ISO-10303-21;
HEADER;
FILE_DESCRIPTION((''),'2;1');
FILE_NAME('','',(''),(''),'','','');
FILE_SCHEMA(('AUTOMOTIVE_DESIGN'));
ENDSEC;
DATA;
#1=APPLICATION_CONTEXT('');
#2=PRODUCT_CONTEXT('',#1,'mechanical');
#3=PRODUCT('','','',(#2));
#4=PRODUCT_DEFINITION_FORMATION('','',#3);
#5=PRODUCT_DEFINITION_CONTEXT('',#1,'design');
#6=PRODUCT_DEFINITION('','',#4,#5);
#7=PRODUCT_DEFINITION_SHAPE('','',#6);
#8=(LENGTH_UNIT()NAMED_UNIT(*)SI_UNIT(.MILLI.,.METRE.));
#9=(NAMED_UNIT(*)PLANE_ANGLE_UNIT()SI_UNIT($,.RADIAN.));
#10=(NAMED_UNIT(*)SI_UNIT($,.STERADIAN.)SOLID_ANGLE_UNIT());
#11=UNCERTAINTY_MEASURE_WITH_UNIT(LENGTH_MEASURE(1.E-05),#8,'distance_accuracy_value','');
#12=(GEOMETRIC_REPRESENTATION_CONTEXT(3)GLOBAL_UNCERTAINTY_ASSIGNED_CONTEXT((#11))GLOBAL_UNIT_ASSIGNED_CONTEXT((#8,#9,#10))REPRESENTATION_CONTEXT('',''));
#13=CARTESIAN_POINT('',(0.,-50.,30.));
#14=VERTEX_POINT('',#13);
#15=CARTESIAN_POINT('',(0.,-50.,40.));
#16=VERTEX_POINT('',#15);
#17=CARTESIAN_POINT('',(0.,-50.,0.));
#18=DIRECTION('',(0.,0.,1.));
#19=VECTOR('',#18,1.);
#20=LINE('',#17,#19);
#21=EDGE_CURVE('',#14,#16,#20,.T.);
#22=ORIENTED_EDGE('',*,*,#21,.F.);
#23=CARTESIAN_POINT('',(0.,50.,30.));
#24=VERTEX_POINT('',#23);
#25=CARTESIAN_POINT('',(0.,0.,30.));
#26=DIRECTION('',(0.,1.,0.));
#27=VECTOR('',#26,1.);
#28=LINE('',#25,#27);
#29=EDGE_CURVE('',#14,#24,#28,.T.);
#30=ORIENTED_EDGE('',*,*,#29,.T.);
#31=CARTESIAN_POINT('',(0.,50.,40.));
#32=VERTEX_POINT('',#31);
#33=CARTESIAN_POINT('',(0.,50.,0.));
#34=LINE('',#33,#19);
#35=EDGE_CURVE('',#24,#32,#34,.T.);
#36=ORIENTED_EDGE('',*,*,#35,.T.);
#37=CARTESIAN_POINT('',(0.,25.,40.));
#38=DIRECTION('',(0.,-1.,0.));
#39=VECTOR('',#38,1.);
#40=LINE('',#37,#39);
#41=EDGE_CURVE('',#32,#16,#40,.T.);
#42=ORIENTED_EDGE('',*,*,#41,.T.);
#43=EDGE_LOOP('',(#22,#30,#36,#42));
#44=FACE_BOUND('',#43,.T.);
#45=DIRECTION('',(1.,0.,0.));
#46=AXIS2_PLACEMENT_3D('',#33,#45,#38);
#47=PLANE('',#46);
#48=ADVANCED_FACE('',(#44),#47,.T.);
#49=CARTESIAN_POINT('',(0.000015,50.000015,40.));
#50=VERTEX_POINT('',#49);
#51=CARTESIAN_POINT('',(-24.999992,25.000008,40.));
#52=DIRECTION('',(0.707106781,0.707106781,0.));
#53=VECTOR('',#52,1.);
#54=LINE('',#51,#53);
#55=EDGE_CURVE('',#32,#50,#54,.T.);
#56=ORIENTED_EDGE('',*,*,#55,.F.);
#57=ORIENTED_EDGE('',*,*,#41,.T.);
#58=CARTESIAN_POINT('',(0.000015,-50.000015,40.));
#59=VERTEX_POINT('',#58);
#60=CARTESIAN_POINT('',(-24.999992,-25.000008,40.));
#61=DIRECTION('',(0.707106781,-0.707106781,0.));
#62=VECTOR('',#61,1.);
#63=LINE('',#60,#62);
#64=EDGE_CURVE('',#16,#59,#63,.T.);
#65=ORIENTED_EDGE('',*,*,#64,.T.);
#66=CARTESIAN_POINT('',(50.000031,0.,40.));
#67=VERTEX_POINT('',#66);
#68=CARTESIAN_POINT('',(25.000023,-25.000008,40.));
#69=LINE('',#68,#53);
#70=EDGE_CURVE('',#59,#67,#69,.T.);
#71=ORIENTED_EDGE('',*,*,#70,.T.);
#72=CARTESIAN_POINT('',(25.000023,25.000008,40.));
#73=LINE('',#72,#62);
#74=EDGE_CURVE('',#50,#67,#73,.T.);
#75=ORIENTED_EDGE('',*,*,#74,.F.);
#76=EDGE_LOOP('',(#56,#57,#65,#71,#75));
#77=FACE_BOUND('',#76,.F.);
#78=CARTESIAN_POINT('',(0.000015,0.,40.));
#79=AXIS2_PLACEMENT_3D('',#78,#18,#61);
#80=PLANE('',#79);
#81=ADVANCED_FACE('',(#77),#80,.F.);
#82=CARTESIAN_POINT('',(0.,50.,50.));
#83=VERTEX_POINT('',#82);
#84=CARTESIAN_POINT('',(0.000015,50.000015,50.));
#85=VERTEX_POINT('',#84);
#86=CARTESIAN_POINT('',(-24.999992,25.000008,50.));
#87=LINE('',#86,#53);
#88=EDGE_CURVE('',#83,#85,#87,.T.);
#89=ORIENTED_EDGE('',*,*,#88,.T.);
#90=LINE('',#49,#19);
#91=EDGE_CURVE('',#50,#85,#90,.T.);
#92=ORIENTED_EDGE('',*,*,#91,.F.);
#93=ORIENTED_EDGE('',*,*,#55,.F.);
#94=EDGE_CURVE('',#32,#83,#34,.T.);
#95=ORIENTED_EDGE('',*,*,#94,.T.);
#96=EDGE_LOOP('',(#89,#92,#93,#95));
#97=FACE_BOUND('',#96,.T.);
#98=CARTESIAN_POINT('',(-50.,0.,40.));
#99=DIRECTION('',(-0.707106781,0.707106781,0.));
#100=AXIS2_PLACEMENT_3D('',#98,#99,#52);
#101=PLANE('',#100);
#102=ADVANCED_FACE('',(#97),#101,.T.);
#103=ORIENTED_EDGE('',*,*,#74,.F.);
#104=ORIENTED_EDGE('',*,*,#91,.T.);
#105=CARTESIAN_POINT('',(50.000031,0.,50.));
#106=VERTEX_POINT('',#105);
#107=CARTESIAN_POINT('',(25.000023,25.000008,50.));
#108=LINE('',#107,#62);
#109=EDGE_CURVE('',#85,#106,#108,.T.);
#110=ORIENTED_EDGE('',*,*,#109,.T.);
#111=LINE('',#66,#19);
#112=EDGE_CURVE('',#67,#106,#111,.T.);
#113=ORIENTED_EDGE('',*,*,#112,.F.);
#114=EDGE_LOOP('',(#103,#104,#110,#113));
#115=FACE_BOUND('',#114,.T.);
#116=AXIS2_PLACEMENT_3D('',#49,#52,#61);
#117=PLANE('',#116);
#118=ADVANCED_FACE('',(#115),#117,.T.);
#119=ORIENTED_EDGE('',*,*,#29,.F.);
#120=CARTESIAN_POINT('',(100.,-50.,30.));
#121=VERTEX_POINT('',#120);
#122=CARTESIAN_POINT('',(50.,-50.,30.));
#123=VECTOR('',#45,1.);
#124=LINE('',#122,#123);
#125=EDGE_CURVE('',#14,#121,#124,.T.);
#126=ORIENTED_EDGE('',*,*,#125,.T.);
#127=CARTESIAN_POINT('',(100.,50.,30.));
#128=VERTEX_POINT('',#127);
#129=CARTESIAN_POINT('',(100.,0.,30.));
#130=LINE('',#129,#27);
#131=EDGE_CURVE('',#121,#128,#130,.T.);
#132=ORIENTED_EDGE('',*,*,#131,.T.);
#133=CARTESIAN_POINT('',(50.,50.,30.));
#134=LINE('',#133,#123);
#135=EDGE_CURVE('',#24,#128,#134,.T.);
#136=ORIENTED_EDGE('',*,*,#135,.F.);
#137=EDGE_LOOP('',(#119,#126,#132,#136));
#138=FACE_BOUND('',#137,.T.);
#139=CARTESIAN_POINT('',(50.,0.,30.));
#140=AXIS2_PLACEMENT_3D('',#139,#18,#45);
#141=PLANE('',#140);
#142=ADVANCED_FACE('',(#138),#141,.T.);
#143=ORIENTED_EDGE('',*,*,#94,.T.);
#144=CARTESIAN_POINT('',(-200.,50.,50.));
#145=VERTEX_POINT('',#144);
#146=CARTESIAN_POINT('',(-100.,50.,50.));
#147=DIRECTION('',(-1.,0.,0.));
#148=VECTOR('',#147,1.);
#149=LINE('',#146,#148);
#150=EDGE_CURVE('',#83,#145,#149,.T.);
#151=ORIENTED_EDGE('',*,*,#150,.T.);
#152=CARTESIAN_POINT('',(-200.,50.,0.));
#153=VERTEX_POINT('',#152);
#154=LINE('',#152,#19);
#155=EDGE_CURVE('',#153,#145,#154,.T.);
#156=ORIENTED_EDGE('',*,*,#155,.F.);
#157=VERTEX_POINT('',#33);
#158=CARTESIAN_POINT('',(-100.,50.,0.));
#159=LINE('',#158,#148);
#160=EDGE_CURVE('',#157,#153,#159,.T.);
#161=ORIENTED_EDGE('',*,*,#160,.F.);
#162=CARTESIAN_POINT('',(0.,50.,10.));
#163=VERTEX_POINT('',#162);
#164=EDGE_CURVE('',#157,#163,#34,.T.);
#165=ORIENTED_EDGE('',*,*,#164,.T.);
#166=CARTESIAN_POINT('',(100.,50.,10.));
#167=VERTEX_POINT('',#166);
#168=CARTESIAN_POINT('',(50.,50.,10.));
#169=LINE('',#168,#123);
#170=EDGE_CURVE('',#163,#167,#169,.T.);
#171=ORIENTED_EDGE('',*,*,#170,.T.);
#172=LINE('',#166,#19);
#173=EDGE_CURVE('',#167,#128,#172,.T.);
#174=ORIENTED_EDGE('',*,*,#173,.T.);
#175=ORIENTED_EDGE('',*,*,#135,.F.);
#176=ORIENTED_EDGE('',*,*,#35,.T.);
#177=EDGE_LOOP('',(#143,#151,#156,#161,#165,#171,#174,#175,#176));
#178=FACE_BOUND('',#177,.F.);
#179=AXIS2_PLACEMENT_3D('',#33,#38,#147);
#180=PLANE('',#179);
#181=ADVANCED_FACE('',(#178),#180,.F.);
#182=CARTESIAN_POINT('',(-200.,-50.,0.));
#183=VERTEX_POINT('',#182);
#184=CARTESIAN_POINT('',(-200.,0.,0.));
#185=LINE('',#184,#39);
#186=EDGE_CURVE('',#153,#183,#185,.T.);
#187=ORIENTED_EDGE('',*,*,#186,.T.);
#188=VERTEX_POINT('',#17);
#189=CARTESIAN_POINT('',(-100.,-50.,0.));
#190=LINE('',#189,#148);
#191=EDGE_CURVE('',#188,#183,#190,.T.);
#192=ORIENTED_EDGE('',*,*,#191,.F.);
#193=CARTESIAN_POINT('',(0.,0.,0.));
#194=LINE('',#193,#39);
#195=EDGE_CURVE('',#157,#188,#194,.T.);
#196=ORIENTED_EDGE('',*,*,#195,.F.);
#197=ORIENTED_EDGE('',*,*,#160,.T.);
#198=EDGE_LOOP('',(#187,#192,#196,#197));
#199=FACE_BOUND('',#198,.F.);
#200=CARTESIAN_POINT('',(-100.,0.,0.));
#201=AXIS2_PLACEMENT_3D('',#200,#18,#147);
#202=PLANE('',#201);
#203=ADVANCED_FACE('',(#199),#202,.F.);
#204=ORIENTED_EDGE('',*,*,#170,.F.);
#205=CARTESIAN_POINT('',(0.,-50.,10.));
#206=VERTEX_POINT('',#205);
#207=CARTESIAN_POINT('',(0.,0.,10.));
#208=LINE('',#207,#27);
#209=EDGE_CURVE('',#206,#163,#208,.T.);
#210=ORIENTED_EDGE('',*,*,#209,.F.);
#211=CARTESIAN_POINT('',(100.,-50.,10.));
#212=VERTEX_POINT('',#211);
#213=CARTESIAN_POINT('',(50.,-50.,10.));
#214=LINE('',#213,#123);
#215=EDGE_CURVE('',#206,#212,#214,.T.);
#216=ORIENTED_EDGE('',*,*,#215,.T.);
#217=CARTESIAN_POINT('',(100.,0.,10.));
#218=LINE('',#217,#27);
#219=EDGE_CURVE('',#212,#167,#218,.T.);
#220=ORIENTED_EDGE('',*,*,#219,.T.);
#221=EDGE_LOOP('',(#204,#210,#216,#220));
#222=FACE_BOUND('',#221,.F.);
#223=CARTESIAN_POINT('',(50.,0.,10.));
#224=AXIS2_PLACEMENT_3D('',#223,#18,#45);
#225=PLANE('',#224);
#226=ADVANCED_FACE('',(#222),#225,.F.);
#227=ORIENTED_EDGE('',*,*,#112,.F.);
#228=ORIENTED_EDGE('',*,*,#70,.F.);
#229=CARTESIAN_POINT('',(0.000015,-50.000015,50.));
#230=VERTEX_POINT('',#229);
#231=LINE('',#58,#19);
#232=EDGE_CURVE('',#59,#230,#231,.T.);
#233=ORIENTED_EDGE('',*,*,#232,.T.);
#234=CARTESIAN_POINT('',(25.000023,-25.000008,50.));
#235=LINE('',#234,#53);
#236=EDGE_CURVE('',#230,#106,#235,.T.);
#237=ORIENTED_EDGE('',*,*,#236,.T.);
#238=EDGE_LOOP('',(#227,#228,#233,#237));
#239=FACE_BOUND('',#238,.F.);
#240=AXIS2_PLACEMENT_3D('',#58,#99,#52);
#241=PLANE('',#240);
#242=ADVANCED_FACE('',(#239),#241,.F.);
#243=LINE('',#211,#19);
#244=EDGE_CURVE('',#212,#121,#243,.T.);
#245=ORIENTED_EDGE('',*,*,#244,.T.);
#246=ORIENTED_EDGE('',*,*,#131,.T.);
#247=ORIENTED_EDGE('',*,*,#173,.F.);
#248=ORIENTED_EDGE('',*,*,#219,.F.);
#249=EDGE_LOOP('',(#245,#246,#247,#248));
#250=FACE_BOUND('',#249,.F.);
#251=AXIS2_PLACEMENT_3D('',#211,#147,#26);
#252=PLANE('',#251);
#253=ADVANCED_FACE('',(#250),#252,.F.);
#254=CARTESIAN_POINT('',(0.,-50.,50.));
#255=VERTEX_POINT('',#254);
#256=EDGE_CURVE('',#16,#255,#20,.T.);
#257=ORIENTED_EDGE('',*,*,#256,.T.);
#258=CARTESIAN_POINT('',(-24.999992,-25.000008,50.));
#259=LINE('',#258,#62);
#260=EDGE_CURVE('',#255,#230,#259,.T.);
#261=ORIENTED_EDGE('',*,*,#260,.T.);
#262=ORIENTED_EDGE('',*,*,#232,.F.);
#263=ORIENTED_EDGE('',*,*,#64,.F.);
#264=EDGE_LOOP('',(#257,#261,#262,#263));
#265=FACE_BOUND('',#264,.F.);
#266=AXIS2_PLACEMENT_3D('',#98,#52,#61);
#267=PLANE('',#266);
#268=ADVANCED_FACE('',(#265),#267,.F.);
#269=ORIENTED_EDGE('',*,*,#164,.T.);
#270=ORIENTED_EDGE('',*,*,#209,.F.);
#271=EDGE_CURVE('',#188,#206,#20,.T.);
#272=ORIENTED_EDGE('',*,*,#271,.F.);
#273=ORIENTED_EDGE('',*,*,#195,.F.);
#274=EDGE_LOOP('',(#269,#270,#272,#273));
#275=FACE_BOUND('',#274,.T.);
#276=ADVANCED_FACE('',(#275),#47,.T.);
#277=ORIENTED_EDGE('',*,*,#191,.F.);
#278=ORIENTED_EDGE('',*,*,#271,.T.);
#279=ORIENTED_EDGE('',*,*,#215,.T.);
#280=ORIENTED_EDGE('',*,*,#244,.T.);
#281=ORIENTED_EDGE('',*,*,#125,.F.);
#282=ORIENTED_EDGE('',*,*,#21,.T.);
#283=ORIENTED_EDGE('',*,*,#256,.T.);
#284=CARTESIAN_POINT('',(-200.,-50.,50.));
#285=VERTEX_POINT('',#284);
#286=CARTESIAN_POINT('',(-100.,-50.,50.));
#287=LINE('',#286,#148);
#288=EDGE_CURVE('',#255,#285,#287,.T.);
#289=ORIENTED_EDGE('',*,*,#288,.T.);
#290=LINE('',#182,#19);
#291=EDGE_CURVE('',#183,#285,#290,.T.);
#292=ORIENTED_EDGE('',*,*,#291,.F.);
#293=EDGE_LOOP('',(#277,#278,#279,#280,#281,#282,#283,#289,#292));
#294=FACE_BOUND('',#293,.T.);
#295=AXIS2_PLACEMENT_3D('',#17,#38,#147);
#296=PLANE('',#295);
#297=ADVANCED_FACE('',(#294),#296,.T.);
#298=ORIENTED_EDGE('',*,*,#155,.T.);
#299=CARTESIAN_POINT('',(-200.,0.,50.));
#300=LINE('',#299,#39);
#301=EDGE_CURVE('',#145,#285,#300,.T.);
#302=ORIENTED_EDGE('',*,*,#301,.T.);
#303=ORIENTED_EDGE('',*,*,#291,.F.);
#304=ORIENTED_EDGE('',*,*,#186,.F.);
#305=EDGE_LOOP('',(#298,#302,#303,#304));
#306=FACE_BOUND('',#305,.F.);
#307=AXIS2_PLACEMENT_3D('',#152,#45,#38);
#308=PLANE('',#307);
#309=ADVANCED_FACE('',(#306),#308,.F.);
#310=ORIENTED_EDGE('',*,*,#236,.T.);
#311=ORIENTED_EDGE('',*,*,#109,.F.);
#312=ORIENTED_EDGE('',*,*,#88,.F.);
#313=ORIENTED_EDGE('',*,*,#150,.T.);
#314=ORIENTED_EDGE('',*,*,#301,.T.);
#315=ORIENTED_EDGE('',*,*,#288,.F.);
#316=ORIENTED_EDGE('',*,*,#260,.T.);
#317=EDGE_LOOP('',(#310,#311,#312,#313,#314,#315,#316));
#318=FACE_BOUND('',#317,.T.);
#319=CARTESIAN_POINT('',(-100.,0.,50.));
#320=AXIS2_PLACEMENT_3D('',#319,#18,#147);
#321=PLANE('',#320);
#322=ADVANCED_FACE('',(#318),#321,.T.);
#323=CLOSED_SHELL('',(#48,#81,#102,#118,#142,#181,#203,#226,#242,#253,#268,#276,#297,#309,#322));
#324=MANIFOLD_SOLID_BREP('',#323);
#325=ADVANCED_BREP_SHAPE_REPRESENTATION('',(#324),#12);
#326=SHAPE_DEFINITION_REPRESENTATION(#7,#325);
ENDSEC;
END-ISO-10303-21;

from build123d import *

# Parameters (mm, degrees)
BOX001_W               = 70.7107
BOX001_H               = 70.7107
BOX001_DEPTH           = 10
BOX001_PLACEMENT_ANGLE = 315
BOX002_W               = 100
BOX002_H               = 100
BOX002_DEPTH           = 20
BOX_W                  = 200
BOX_H                  = 100
BOX_DEPTH              = 50


with BuildPart() as cube001:
    # Box001 → Box001 (new body)
    with BuildSketch(Plane.XY):
        with Locations((35.35535, 35.35535)):
            Rectangle(BOX001_W, BOX001_H)
    extrude(amount=BOX001_DEPTH)


with BuildPart() as cube001_1:
    # Box001 placement: moved
    add(cube001.part.moved(Location((-50, 0, 40))).rotate(Axis((-50, 0, 40), (0, 0, 1)), BOX001_PLACEMENT_ANGLE))


with BuildPart() as cube002:
    # Box002 → Box002 (new body)
    with BuildSketch(Plane(origin=(0, -50, 10), x_dir=(1, 0, 0), z_dir=(0, 0, 1))):
        with Locations((50, 50)):
            Rectangle(BOX002_W, BOX002_H)
    extrude(amount=BOX002_DEPTH)


with BuildPart() as fusion:
    # Box → Box (new body)
    with BuildSketch(Plane(origin=(0, 50, 0), x_dir=(-1, 0, 0), z_dir=(0, 0, 1))):
        with Locations((100, 50)):
            Rectangle(BOX_W, BOX_H)
    extrude(amount=BOX_DEPTH)

    # Fusion: union Cube001, Cube002
    add(cube001_1.part)
    add(cube002.part)


solid = fusion.part
